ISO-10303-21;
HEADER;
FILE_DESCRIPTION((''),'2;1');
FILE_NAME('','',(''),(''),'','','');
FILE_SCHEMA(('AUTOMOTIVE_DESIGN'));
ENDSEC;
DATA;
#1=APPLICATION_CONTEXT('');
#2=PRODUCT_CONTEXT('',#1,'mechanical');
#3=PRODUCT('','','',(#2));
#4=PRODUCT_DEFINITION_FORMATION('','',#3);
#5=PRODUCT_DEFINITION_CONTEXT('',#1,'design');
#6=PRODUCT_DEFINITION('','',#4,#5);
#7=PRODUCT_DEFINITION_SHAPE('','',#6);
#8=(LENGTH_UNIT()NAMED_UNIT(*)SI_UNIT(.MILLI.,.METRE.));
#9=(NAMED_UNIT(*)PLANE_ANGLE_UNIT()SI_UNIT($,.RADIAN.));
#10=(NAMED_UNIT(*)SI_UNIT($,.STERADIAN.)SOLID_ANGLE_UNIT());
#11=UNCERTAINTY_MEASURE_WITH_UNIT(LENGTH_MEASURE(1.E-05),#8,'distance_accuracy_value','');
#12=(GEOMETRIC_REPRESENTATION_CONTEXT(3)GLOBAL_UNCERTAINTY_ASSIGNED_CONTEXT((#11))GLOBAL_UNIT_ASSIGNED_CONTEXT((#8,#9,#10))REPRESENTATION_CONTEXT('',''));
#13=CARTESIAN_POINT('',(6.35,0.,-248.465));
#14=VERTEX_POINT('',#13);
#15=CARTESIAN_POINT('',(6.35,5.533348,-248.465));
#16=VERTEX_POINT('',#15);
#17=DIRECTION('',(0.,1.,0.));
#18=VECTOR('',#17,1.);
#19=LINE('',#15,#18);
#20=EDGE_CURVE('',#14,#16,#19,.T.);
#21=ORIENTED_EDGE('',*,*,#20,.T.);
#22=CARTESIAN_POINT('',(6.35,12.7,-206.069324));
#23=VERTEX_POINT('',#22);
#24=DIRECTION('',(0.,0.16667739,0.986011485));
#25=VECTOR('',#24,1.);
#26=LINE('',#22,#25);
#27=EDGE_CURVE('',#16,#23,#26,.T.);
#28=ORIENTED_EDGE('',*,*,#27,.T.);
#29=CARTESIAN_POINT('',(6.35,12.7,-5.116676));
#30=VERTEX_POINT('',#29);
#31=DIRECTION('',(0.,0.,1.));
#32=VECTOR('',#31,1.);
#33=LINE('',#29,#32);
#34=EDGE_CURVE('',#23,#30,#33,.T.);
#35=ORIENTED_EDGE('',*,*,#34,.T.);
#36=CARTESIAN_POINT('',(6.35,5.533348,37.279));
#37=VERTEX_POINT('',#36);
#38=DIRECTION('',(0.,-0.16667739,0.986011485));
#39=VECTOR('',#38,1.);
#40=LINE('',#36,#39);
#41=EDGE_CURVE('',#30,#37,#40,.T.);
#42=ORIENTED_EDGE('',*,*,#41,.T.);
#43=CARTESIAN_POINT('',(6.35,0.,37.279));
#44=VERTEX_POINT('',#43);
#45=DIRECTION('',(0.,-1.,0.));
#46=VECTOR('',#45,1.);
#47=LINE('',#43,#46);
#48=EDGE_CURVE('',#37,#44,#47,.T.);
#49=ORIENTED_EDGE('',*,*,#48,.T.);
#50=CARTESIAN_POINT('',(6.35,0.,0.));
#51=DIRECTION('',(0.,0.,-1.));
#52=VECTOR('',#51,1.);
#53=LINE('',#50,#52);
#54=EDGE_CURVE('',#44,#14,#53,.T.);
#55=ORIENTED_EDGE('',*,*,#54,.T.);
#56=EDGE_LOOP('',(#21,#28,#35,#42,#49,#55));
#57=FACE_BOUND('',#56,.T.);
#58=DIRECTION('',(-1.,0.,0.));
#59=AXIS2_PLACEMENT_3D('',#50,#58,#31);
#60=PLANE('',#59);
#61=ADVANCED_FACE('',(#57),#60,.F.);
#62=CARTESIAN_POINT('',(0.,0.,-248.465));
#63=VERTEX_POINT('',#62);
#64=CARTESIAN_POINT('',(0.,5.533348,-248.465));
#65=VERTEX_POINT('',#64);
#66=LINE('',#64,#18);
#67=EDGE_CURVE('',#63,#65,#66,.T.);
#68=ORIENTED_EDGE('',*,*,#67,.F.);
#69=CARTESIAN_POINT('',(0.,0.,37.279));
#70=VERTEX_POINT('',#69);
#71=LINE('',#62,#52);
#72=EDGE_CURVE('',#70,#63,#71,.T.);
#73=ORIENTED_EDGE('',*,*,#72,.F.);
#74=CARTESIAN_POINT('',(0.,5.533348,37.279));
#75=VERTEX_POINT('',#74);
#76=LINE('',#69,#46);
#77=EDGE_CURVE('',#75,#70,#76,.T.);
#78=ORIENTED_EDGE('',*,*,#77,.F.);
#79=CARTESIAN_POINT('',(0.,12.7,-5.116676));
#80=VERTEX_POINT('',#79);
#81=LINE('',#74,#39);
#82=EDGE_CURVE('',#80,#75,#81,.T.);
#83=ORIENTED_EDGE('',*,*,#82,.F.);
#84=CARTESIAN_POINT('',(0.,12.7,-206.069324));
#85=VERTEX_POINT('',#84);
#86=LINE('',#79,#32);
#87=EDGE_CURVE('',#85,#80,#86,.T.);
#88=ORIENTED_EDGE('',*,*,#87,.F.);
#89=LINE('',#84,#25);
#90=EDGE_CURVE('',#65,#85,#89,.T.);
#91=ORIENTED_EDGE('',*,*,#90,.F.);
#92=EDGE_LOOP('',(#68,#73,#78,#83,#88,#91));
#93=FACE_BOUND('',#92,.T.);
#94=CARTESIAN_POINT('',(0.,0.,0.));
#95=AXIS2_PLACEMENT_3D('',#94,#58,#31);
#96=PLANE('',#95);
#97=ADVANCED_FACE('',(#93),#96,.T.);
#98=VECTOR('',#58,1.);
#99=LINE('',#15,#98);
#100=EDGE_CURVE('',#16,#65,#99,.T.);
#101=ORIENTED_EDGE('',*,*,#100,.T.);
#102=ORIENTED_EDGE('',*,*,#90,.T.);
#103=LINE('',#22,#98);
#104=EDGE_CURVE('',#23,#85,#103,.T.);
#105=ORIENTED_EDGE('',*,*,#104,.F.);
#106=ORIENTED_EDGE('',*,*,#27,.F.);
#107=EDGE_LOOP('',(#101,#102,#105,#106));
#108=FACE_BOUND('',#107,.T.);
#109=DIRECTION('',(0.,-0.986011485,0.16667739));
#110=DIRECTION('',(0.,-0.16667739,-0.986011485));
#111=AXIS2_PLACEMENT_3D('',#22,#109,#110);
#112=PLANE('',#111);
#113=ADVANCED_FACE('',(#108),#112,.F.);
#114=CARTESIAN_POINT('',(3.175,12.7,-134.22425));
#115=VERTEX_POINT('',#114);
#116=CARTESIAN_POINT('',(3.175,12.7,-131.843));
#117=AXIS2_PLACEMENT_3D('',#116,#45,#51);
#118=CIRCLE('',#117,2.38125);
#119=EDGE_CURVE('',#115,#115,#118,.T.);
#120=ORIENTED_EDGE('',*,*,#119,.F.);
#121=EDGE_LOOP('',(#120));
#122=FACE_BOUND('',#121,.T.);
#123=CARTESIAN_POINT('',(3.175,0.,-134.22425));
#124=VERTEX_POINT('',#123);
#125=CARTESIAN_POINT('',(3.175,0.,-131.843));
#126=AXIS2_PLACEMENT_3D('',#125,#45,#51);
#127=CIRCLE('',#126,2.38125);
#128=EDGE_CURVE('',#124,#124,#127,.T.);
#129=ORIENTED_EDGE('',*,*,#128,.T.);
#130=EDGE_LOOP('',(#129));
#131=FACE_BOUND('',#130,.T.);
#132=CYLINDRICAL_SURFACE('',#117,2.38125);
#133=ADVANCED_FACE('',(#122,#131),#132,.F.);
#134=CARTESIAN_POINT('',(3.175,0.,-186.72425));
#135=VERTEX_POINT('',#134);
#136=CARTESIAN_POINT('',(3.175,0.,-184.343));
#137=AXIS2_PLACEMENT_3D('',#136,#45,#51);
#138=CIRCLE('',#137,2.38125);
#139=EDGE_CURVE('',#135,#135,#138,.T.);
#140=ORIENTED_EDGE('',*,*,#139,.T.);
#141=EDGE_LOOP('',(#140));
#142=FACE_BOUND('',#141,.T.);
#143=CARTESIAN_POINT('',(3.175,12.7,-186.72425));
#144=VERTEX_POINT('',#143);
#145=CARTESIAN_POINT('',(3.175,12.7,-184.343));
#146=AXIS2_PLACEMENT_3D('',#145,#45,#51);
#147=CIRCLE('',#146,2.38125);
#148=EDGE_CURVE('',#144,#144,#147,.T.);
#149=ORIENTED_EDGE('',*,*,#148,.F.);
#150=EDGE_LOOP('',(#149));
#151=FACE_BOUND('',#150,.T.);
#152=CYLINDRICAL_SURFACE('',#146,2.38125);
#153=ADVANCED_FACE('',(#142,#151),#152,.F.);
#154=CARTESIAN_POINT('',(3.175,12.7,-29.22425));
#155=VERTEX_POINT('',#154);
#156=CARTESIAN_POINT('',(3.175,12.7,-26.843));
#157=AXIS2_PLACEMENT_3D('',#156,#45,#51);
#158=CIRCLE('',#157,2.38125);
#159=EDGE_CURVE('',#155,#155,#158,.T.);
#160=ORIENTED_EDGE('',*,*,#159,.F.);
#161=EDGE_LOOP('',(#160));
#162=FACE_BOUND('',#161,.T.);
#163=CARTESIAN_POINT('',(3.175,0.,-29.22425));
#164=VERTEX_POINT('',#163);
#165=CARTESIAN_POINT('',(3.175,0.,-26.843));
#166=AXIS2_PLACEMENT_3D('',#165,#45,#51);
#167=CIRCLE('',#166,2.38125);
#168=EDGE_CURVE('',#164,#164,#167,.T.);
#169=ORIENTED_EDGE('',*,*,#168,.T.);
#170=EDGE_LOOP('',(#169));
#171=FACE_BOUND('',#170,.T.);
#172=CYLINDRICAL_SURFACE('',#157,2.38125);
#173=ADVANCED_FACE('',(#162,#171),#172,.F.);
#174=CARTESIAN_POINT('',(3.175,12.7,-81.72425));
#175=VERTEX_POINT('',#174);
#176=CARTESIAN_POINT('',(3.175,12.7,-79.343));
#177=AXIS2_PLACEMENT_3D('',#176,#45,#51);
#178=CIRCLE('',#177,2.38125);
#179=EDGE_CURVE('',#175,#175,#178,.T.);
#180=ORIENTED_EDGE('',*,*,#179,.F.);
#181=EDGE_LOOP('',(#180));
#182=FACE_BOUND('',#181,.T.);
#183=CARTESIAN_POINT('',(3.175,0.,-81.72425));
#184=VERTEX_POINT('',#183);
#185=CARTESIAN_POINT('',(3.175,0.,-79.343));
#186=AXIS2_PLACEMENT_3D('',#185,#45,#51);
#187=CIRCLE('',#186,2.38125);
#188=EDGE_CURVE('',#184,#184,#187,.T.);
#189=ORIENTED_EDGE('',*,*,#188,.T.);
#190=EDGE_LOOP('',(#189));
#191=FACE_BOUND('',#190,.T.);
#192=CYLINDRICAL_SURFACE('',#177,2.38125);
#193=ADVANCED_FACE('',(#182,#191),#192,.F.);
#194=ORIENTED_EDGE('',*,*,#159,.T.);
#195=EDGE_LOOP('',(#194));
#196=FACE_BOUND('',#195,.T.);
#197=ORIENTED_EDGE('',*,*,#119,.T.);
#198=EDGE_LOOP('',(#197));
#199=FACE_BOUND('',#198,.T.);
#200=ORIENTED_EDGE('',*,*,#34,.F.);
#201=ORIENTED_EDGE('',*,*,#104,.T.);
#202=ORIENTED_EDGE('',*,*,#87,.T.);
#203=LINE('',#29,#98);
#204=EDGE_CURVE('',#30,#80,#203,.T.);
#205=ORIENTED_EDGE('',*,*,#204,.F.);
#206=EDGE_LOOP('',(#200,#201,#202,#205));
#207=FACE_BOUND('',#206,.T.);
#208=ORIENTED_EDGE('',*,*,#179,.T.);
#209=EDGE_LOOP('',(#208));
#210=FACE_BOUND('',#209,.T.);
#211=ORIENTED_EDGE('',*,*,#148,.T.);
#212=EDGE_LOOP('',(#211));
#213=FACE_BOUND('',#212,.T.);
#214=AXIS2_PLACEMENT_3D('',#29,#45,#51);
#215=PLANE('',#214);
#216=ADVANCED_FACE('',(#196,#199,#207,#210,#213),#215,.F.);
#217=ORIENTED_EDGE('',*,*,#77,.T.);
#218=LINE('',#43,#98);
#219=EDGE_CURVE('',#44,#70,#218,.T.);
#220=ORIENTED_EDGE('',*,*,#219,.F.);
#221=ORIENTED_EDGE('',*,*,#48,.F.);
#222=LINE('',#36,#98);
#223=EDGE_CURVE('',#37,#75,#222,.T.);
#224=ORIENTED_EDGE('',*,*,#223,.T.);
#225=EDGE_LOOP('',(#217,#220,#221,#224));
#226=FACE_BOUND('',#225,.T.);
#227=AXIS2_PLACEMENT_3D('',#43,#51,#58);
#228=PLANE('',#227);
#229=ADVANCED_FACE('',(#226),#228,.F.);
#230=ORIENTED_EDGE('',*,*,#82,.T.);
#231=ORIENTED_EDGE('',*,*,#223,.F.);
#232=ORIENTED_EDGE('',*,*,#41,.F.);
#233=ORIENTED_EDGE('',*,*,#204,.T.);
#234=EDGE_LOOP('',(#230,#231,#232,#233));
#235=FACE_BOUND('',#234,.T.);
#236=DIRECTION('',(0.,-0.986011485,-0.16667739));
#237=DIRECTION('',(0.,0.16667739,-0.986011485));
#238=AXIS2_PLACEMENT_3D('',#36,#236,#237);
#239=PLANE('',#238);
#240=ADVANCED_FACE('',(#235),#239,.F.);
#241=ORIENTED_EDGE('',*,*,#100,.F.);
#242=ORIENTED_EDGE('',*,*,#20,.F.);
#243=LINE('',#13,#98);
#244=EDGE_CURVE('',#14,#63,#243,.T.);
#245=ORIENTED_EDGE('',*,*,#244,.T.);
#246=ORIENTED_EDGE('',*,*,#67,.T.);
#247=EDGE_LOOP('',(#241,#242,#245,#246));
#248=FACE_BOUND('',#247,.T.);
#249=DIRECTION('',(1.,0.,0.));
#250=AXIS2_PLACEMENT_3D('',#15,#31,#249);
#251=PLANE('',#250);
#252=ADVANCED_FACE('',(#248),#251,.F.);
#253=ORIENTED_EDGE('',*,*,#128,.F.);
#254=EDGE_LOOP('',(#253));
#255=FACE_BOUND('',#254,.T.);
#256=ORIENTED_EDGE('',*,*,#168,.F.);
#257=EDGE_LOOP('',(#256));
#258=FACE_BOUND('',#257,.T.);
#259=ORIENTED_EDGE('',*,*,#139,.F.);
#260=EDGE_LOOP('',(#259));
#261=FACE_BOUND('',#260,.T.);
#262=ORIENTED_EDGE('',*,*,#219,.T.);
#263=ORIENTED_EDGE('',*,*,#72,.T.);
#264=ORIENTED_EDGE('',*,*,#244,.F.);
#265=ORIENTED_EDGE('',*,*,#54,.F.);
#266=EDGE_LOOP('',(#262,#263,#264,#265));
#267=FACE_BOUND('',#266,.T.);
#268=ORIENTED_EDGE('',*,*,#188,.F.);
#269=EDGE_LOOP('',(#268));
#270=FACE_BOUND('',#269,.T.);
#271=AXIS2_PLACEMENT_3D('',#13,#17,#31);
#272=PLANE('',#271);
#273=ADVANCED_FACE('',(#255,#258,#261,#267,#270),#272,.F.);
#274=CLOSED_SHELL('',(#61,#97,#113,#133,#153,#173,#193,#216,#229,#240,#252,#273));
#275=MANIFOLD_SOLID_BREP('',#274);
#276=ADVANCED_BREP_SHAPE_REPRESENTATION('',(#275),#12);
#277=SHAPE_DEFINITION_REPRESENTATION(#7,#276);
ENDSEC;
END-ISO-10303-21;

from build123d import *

# Parameters (mm, degrees)
BOSS_EXTRUDE2_DEPTH = 6.35
SKETCH8_R           = 2.38125
CUT_EXTRUDE3_DEPTH  = 12.7


with BuildPart() as part:
    # Sketch7 → Boss-Extrude2 (new body)
    with BuildSketch(Plane(origin=(0, 0, 0), x_dir=(0, 0, -1), z_dir=(1, 0, 0))):
        Polygon((211.186, 0), (0, 0), (-37.279, 0), (-37.279, 5.533348483), (5.116676416, 12.7), (206.069323584, 12.7), (248.465, 5.533348483), (248.465, 0), align=None)
    extrude(amount=BOSS_EXTRUDE2_DEPTH)

    # Sketch8 → Cut-Extrude3 (cut)
    with BuildSketch(Plane.XZ):
        with Locations((3.175, -26.843)):
            Circle(SKETCH8_R)
        with Locations((3.175, -79.343)):
            Circle(SKETCH8_R)
        with Locations((3.175, -131.843)):
            Circle(SKETCH8_R)
        with Locations((3.175, -184.343)):
            Circle(SKETCH8_R)
    extrude(amount=-CUT_EXTRUDE3_DEPTH, mode=Mode.SUBTRACT)


solid = part.part
